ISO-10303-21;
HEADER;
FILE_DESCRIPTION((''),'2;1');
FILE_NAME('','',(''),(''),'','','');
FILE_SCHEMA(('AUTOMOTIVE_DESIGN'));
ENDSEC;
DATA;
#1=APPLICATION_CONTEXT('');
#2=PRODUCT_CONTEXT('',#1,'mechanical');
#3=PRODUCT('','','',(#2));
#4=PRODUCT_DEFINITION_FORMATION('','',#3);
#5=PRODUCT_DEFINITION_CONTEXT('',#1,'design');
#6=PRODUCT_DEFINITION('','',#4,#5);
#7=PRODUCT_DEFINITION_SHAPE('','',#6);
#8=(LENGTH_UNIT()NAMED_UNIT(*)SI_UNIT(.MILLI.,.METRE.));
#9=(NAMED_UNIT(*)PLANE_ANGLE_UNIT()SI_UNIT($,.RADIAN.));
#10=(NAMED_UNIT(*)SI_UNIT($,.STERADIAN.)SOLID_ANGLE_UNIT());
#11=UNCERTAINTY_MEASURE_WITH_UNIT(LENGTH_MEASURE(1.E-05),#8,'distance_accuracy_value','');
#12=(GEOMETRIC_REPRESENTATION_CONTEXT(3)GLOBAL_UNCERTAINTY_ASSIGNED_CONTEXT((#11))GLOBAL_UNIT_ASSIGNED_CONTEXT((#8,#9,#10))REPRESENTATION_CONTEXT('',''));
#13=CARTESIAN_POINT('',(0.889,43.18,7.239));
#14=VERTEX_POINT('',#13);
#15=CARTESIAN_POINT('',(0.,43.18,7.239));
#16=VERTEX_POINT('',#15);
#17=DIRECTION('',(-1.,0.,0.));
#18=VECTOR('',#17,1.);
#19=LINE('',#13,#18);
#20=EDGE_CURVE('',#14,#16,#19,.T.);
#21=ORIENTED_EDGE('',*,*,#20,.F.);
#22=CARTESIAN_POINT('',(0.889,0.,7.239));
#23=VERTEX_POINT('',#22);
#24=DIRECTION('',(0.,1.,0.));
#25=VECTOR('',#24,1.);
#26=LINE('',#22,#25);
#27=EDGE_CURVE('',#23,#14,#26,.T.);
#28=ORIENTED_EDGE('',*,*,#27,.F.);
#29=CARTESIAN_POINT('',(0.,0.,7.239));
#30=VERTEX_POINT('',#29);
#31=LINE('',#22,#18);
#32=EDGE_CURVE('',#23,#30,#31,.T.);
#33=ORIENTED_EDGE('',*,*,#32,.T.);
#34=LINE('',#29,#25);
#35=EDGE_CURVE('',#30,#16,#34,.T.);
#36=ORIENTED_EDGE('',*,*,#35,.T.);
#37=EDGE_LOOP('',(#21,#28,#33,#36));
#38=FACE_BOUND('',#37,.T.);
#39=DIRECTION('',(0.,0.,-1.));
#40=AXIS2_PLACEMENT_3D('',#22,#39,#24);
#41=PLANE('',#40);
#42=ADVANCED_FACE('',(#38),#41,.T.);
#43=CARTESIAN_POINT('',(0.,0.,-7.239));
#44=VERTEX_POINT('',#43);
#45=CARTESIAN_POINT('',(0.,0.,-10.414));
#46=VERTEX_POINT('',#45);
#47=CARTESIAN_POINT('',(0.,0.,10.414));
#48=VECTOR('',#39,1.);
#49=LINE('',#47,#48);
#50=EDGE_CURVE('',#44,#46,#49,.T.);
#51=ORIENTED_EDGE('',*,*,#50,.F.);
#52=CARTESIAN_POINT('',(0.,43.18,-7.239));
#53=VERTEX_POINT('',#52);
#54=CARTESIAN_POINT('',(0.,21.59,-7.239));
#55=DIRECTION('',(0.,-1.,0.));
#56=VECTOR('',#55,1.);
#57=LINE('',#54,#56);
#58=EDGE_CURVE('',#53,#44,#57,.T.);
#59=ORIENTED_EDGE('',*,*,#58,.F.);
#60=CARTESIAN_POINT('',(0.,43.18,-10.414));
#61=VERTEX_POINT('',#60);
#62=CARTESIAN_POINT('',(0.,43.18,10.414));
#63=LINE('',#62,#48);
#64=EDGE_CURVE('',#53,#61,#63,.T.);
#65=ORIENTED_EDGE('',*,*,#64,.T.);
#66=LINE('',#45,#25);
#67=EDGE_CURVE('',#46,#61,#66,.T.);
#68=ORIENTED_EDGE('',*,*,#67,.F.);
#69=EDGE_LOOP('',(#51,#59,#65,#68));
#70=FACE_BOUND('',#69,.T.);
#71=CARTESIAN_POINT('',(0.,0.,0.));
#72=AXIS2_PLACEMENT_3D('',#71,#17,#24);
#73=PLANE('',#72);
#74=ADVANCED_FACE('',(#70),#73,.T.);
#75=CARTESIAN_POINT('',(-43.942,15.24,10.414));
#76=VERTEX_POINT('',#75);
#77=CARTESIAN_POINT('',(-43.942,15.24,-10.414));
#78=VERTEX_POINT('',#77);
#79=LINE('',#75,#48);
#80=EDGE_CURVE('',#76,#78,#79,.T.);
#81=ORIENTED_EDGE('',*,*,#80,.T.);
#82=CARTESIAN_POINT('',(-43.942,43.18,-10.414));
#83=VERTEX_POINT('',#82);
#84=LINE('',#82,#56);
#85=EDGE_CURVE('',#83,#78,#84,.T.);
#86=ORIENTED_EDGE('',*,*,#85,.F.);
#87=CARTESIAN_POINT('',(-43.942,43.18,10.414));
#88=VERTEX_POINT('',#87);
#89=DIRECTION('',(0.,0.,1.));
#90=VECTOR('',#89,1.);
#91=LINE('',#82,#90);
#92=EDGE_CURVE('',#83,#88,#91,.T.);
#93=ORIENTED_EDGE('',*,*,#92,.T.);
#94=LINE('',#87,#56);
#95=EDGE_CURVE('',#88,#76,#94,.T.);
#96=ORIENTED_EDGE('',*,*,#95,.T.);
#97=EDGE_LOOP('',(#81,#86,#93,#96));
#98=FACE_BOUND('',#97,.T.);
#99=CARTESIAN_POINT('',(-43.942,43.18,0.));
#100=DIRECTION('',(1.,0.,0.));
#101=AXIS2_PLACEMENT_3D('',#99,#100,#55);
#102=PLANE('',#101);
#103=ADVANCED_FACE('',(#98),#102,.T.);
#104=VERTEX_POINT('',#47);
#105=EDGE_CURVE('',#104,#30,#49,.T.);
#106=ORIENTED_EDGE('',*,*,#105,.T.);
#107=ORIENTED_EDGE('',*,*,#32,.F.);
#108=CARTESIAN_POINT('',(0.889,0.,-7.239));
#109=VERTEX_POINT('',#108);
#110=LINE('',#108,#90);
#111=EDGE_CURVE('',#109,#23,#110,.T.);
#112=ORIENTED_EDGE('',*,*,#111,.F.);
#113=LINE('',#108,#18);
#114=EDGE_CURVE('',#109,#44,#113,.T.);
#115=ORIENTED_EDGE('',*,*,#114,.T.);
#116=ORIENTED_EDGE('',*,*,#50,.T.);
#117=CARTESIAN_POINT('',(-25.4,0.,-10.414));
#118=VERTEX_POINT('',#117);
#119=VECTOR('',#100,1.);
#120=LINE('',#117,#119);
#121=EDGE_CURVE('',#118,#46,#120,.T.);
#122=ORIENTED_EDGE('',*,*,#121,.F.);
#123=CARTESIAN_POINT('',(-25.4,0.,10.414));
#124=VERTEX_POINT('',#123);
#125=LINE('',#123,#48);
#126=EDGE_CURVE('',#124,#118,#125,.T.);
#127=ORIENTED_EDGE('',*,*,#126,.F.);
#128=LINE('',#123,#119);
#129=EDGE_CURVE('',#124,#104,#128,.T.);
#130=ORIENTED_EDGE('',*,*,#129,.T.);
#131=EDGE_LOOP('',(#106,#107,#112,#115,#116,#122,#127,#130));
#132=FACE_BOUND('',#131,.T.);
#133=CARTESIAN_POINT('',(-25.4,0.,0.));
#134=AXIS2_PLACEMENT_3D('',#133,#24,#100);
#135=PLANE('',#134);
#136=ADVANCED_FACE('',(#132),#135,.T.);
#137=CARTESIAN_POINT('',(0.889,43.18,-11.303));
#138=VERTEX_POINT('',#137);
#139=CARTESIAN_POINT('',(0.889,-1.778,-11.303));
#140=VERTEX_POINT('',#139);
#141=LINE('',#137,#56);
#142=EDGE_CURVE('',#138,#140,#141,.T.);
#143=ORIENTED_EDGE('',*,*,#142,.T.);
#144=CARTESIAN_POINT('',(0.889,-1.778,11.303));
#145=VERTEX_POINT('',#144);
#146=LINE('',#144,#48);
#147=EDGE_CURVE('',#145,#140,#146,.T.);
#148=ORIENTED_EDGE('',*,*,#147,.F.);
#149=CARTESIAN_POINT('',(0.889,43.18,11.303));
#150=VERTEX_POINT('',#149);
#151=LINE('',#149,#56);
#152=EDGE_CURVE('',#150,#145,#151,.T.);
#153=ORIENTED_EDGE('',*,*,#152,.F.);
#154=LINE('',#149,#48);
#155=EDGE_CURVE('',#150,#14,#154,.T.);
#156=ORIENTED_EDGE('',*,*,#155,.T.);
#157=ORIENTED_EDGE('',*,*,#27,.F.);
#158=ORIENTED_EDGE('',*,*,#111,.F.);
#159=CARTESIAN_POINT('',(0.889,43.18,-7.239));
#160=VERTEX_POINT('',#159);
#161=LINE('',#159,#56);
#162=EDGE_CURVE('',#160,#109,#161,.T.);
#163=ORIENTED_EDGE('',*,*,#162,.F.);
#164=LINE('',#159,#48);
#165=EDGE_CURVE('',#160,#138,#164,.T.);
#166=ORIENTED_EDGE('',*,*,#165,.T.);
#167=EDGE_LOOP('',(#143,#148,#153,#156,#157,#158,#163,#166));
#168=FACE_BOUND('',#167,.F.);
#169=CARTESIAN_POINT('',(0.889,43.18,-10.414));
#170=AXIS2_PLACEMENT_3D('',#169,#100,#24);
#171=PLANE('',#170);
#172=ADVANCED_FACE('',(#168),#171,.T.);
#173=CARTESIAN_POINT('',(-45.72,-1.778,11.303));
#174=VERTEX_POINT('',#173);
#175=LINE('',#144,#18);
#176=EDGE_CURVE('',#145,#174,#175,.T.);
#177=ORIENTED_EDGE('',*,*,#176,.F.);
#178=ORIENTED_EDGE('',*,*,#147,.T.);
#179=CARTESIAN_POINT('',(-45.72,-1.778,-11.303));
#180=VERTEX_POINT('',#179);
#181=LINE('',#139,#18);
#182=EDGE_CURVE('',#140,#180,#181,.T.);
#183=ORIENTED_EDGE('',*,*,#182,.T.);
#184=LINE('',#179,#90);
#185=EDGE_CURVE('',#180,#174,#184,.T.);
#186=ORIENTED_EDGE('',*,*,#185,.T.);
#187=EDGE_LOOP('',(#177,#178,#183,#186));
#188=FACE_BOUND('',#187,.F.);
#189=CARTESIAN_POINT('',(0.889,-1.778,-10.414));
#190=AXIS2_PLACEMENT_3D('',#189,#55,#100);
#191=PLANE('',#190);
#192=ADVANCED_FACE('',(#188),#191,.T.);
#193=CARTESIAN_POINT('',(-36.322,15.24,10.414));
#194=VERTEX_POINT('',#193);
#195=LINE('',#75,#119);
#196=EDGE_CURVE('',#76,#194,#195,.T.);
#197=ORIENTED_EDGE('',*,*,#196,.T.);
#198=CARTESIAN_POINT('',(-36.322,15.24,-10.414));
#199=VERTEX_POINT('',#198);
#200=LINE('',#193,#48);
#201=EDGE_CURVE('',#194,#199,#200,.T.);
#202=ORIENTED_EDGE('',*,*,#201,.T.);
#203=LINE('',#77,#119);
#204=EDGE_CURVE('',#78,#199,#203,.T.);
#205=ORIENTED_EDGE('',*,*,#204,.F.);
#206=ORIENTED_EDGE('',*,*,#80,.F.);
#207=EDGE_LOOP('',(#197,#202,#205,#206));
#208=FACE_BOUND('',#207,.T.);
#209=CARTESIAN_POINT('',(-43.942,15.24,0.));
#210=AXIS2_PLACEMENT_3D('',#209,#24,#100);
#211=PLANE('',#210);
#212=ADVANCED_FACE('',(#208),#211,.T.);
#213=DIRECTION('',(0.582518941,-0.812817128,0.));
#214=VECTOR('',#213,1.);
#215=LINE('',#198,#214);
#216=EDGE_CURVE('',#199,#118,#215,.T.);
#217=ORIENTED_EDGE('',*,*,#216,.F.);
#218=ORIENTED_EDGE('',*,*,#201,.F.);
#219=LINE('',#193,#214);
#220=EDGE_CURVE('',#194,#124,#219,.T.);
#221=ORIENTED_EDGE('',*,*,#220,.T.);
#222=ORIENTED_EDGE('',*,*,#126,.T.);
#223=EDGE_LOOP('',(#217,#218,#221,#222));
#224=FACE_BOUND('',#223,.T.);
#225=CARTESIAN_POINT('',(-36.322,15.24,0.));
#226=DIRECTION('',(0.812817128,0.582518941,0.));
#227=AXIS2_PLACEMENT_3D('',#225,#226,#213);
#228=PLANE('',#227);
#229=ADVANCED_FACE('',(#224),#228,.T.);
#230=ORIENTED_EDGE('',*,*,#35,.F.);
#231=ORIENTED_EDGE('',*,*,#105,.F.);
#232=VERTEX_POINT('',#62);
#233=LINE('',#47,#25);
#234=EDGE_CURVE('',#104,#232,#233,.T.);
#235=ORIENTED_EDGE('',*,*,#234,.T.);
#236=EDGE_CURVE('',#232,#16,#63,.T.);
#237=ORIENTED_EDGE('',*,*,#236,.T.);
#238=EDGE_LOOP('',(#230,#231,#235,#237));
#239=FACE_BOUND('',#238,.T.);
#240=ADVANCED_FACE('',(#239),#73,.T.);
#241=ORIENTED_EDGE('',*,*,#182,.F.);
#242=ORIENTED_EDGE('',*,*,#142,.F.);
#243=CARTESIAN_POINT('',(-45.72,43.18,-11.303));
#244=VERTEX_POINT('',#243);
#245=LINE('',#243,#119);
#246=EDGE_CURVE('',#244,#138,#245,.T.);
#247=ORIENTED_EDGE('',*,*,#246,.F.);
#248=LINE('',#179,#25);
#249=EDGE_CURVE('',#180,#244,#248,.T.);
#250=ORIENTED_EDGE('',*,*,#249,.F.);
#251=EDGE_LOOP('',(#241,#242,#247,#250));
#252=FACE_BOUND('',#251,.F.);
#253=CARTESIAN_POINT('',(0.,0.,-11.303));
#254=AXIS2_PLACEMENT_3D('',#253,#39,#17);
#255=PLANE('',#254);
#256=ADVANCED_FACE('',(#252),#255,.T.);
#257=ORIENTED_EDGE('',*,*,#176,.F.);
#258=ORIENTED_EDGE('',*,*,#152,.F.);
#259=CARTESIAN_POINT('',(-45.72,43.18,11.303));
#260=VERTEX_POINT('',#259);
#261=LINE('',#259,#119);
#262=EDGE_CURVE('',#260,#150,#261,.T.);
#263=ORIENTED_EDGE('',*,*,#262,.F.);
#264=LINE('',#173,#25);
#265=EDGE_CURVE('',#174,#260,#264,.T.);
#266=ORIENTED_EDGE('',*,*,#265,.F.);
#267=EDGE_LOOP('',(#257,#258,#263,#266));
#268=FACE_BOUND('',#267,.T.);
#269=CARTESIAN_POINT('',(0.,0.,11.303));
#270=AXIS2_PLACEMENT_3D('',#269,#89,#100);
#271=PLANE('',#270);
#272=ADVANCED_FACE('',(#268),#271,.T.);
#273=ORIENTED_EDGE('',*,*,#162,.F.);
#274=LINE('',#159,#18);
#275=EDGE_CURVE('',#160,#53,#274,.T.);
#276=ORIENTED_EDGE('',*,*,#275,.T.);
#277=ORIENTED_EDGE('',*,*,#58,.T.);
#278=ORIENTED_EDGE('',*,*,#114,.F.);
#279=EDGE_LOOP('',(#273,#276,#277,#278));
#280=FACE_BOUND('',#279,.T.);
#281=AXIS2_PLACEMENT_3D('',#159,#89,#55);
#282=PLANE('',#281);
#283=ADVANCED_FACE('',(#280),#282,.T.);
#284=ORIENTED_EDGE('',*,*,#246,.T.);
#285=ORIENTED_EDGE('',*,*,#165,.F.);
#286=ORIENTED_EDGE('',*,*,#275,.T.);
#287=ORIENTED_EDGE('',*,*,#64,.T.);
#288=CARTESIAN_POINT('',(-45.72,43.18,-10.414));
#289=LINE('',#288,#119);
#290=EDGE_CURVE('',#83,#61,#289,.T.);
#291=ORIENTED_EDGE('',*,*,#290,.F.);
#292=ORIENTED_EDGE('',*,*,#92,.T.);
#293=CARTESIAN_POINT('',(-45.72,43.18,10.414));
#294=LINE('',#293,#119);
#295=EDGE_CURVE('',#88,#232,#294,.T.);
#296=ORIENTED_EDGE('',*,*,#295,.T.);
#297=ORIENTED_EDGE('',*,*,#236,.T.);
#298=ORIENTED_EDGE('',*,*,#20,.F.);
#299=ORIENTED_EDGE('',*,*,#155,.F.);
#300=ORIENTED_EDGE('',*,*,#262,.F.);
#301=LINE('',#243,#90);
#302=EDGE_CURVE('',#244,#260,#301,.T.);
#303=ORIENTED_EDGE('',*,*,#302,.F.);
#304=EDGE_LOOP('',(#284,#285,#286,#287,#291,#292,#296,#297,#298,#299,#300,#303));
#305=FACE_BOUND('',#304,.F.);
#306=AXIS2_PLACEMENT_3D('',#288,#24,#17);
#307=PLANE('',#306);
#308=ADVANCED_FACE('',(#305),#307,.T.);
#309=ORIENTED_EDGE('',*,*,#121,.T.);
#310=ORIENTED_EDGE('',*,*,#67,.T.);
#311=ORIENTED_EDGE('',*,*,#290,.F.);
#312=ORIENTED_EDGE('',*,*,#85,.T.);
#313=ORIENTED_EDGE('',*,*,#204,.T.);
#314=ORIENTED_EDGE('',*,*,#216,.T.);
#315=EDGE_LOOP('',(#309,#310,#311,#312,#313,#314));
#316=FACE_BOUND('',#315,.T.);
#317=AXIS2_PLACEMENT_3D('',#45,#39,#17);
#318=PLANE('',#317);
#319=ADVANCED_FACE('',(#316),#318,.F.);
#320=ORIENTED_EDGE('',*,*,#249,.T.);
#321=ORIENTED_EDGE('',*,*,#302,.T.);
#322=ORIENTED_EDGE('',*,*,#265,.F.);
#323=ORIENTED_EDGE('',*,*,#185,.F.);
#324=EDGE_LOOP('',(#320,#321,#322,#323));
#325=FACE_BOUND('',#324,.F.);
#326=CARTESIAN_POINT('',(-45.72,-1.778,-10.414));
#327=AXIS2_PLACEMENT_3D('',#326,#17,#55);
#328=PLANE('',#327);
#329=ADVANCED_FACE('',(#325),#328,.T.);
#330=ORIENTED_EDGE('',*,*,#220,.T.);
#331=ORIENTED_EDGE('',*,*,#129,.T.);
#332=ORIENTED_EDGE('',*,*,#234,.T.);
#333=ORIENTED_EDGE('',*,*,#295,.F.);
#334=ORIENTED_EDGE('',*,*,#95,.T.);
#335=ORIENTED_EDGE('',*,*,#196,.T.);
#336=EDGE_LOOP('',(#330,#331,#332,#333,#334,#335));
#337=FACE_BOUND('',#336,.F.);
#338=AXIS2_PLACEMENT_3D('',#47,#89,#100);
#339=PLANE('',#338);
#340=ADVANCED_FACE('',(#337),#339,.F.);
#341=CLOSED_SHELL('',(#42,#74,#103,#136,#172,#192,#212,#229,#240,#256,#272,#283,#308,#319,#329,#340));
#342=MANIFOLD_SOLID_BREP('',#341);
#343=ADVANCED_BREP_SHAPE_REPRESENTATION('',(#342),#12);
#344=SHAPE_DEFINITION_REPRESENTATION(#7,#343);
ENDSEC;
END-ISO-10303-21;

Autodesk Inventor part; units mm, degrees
ref_plane "YZ Plane" through (0, 0, 0) normal (1, 0, 0) x (0, 1, 0)
ref_plane "XZ Plane" through (0, 0, 0) normal (0, 1, 0) x (-1, 0, 0)
ref_plane "XY Plane" through (0, 0, 0) normal (0, 0, 1) x (1, 0, 0)
sketch "Sketch2" plane through (0, 0, 0) normal (0, 0, 1) x (1, 0, 0)
  line L0 (-43.942, 43.18) -> (-43.942, 15.24)
  line L1 (-43.942, 15.24) -> (-36.322, 15.24)
  line L2 (-36.322, 15.24) -> (-25.4, 0)
  line L3 (-25.4, 0) -> (0, 0)
  line L4 (0, 0) -> (0, 43.18)
  line L5 (0.889, 43.18) -> (0.889, -1.778)
  line L6 (0.889, -1.778) -> (-45.72, -1.778)
  line L7 (-45.72, -1.778) -> (-45.72, 43.18)
  line L8 (-45.72, 43.18) -> (-43.942, 43.18)
  line L9 (0, 43.18) -> (0.889, 43.18)
  dimension "d1" = 7.62
  dimension "d2" = 27.94
  dimension "d3" = 10.922
  dimension "d4" = 43.18
  dimension "d5" = 1.778
  dimension "d6" = 0.889
  dimension "d7" = 1.778
  dimension "d10" = 44.958
  dimension "d11" = 46.609
extrude "Extrusion1" add sketch "Sketch2" along normal mid plane 20.828
sketch "Sketch5" plane through (0.889, -1.778, 10.414) normal (1, 0, 0) x (0, 0, -1)
  line L0 (0, 44.958) -> (20.828, 44.958) projected
  line L1 (3.175, 44.958) -> (17.653, 44.958)
  line L2 (17.653, 44.958) -> (17.653, 1.778)
  line L3 (17.653, 1.778) -> (3.175, 1.778)
  line L4 (3.175, 1.778) -> (3.175, 44.958)
  line L5 (0, 1.778) -> (20.828, 1.778) projected
  line L6 (0, 44.958) -> (20.828, 1.778) construction
  line L7 (3.175, 1.778) -> (17.653, 44.958) construction
  point P0 (10.414, 1.778)
  point P1 (10.414, 23.368)
  dimension "d14" = 14.478
extrude "Extrusion2" cut sketch "Sketch5" against normal up to next
sketch "Sketch6" plane through (0, 0, 10.414) normal (0, 0, 1) x (1, 0, 0)
  line L0 (-45.72, 43.18) -> (0.889, 43.18)
  line L1 (0.889, 43.18) -> (0.889, -1.778)
  line L2 (0.889, -1.778) -> (-45.72, -1.778)
  line L3 (-45.72, -1.778) -> (-45.72, 43.18)
extrude "Extrusion3" add sketch "Sketch6" along normal blind 0.889
mirror "Mirror1" about plane through (0, 0, 0) normal (0, 0, 1) of "Extrusion3"
properties part number "SteerServoInsert"
